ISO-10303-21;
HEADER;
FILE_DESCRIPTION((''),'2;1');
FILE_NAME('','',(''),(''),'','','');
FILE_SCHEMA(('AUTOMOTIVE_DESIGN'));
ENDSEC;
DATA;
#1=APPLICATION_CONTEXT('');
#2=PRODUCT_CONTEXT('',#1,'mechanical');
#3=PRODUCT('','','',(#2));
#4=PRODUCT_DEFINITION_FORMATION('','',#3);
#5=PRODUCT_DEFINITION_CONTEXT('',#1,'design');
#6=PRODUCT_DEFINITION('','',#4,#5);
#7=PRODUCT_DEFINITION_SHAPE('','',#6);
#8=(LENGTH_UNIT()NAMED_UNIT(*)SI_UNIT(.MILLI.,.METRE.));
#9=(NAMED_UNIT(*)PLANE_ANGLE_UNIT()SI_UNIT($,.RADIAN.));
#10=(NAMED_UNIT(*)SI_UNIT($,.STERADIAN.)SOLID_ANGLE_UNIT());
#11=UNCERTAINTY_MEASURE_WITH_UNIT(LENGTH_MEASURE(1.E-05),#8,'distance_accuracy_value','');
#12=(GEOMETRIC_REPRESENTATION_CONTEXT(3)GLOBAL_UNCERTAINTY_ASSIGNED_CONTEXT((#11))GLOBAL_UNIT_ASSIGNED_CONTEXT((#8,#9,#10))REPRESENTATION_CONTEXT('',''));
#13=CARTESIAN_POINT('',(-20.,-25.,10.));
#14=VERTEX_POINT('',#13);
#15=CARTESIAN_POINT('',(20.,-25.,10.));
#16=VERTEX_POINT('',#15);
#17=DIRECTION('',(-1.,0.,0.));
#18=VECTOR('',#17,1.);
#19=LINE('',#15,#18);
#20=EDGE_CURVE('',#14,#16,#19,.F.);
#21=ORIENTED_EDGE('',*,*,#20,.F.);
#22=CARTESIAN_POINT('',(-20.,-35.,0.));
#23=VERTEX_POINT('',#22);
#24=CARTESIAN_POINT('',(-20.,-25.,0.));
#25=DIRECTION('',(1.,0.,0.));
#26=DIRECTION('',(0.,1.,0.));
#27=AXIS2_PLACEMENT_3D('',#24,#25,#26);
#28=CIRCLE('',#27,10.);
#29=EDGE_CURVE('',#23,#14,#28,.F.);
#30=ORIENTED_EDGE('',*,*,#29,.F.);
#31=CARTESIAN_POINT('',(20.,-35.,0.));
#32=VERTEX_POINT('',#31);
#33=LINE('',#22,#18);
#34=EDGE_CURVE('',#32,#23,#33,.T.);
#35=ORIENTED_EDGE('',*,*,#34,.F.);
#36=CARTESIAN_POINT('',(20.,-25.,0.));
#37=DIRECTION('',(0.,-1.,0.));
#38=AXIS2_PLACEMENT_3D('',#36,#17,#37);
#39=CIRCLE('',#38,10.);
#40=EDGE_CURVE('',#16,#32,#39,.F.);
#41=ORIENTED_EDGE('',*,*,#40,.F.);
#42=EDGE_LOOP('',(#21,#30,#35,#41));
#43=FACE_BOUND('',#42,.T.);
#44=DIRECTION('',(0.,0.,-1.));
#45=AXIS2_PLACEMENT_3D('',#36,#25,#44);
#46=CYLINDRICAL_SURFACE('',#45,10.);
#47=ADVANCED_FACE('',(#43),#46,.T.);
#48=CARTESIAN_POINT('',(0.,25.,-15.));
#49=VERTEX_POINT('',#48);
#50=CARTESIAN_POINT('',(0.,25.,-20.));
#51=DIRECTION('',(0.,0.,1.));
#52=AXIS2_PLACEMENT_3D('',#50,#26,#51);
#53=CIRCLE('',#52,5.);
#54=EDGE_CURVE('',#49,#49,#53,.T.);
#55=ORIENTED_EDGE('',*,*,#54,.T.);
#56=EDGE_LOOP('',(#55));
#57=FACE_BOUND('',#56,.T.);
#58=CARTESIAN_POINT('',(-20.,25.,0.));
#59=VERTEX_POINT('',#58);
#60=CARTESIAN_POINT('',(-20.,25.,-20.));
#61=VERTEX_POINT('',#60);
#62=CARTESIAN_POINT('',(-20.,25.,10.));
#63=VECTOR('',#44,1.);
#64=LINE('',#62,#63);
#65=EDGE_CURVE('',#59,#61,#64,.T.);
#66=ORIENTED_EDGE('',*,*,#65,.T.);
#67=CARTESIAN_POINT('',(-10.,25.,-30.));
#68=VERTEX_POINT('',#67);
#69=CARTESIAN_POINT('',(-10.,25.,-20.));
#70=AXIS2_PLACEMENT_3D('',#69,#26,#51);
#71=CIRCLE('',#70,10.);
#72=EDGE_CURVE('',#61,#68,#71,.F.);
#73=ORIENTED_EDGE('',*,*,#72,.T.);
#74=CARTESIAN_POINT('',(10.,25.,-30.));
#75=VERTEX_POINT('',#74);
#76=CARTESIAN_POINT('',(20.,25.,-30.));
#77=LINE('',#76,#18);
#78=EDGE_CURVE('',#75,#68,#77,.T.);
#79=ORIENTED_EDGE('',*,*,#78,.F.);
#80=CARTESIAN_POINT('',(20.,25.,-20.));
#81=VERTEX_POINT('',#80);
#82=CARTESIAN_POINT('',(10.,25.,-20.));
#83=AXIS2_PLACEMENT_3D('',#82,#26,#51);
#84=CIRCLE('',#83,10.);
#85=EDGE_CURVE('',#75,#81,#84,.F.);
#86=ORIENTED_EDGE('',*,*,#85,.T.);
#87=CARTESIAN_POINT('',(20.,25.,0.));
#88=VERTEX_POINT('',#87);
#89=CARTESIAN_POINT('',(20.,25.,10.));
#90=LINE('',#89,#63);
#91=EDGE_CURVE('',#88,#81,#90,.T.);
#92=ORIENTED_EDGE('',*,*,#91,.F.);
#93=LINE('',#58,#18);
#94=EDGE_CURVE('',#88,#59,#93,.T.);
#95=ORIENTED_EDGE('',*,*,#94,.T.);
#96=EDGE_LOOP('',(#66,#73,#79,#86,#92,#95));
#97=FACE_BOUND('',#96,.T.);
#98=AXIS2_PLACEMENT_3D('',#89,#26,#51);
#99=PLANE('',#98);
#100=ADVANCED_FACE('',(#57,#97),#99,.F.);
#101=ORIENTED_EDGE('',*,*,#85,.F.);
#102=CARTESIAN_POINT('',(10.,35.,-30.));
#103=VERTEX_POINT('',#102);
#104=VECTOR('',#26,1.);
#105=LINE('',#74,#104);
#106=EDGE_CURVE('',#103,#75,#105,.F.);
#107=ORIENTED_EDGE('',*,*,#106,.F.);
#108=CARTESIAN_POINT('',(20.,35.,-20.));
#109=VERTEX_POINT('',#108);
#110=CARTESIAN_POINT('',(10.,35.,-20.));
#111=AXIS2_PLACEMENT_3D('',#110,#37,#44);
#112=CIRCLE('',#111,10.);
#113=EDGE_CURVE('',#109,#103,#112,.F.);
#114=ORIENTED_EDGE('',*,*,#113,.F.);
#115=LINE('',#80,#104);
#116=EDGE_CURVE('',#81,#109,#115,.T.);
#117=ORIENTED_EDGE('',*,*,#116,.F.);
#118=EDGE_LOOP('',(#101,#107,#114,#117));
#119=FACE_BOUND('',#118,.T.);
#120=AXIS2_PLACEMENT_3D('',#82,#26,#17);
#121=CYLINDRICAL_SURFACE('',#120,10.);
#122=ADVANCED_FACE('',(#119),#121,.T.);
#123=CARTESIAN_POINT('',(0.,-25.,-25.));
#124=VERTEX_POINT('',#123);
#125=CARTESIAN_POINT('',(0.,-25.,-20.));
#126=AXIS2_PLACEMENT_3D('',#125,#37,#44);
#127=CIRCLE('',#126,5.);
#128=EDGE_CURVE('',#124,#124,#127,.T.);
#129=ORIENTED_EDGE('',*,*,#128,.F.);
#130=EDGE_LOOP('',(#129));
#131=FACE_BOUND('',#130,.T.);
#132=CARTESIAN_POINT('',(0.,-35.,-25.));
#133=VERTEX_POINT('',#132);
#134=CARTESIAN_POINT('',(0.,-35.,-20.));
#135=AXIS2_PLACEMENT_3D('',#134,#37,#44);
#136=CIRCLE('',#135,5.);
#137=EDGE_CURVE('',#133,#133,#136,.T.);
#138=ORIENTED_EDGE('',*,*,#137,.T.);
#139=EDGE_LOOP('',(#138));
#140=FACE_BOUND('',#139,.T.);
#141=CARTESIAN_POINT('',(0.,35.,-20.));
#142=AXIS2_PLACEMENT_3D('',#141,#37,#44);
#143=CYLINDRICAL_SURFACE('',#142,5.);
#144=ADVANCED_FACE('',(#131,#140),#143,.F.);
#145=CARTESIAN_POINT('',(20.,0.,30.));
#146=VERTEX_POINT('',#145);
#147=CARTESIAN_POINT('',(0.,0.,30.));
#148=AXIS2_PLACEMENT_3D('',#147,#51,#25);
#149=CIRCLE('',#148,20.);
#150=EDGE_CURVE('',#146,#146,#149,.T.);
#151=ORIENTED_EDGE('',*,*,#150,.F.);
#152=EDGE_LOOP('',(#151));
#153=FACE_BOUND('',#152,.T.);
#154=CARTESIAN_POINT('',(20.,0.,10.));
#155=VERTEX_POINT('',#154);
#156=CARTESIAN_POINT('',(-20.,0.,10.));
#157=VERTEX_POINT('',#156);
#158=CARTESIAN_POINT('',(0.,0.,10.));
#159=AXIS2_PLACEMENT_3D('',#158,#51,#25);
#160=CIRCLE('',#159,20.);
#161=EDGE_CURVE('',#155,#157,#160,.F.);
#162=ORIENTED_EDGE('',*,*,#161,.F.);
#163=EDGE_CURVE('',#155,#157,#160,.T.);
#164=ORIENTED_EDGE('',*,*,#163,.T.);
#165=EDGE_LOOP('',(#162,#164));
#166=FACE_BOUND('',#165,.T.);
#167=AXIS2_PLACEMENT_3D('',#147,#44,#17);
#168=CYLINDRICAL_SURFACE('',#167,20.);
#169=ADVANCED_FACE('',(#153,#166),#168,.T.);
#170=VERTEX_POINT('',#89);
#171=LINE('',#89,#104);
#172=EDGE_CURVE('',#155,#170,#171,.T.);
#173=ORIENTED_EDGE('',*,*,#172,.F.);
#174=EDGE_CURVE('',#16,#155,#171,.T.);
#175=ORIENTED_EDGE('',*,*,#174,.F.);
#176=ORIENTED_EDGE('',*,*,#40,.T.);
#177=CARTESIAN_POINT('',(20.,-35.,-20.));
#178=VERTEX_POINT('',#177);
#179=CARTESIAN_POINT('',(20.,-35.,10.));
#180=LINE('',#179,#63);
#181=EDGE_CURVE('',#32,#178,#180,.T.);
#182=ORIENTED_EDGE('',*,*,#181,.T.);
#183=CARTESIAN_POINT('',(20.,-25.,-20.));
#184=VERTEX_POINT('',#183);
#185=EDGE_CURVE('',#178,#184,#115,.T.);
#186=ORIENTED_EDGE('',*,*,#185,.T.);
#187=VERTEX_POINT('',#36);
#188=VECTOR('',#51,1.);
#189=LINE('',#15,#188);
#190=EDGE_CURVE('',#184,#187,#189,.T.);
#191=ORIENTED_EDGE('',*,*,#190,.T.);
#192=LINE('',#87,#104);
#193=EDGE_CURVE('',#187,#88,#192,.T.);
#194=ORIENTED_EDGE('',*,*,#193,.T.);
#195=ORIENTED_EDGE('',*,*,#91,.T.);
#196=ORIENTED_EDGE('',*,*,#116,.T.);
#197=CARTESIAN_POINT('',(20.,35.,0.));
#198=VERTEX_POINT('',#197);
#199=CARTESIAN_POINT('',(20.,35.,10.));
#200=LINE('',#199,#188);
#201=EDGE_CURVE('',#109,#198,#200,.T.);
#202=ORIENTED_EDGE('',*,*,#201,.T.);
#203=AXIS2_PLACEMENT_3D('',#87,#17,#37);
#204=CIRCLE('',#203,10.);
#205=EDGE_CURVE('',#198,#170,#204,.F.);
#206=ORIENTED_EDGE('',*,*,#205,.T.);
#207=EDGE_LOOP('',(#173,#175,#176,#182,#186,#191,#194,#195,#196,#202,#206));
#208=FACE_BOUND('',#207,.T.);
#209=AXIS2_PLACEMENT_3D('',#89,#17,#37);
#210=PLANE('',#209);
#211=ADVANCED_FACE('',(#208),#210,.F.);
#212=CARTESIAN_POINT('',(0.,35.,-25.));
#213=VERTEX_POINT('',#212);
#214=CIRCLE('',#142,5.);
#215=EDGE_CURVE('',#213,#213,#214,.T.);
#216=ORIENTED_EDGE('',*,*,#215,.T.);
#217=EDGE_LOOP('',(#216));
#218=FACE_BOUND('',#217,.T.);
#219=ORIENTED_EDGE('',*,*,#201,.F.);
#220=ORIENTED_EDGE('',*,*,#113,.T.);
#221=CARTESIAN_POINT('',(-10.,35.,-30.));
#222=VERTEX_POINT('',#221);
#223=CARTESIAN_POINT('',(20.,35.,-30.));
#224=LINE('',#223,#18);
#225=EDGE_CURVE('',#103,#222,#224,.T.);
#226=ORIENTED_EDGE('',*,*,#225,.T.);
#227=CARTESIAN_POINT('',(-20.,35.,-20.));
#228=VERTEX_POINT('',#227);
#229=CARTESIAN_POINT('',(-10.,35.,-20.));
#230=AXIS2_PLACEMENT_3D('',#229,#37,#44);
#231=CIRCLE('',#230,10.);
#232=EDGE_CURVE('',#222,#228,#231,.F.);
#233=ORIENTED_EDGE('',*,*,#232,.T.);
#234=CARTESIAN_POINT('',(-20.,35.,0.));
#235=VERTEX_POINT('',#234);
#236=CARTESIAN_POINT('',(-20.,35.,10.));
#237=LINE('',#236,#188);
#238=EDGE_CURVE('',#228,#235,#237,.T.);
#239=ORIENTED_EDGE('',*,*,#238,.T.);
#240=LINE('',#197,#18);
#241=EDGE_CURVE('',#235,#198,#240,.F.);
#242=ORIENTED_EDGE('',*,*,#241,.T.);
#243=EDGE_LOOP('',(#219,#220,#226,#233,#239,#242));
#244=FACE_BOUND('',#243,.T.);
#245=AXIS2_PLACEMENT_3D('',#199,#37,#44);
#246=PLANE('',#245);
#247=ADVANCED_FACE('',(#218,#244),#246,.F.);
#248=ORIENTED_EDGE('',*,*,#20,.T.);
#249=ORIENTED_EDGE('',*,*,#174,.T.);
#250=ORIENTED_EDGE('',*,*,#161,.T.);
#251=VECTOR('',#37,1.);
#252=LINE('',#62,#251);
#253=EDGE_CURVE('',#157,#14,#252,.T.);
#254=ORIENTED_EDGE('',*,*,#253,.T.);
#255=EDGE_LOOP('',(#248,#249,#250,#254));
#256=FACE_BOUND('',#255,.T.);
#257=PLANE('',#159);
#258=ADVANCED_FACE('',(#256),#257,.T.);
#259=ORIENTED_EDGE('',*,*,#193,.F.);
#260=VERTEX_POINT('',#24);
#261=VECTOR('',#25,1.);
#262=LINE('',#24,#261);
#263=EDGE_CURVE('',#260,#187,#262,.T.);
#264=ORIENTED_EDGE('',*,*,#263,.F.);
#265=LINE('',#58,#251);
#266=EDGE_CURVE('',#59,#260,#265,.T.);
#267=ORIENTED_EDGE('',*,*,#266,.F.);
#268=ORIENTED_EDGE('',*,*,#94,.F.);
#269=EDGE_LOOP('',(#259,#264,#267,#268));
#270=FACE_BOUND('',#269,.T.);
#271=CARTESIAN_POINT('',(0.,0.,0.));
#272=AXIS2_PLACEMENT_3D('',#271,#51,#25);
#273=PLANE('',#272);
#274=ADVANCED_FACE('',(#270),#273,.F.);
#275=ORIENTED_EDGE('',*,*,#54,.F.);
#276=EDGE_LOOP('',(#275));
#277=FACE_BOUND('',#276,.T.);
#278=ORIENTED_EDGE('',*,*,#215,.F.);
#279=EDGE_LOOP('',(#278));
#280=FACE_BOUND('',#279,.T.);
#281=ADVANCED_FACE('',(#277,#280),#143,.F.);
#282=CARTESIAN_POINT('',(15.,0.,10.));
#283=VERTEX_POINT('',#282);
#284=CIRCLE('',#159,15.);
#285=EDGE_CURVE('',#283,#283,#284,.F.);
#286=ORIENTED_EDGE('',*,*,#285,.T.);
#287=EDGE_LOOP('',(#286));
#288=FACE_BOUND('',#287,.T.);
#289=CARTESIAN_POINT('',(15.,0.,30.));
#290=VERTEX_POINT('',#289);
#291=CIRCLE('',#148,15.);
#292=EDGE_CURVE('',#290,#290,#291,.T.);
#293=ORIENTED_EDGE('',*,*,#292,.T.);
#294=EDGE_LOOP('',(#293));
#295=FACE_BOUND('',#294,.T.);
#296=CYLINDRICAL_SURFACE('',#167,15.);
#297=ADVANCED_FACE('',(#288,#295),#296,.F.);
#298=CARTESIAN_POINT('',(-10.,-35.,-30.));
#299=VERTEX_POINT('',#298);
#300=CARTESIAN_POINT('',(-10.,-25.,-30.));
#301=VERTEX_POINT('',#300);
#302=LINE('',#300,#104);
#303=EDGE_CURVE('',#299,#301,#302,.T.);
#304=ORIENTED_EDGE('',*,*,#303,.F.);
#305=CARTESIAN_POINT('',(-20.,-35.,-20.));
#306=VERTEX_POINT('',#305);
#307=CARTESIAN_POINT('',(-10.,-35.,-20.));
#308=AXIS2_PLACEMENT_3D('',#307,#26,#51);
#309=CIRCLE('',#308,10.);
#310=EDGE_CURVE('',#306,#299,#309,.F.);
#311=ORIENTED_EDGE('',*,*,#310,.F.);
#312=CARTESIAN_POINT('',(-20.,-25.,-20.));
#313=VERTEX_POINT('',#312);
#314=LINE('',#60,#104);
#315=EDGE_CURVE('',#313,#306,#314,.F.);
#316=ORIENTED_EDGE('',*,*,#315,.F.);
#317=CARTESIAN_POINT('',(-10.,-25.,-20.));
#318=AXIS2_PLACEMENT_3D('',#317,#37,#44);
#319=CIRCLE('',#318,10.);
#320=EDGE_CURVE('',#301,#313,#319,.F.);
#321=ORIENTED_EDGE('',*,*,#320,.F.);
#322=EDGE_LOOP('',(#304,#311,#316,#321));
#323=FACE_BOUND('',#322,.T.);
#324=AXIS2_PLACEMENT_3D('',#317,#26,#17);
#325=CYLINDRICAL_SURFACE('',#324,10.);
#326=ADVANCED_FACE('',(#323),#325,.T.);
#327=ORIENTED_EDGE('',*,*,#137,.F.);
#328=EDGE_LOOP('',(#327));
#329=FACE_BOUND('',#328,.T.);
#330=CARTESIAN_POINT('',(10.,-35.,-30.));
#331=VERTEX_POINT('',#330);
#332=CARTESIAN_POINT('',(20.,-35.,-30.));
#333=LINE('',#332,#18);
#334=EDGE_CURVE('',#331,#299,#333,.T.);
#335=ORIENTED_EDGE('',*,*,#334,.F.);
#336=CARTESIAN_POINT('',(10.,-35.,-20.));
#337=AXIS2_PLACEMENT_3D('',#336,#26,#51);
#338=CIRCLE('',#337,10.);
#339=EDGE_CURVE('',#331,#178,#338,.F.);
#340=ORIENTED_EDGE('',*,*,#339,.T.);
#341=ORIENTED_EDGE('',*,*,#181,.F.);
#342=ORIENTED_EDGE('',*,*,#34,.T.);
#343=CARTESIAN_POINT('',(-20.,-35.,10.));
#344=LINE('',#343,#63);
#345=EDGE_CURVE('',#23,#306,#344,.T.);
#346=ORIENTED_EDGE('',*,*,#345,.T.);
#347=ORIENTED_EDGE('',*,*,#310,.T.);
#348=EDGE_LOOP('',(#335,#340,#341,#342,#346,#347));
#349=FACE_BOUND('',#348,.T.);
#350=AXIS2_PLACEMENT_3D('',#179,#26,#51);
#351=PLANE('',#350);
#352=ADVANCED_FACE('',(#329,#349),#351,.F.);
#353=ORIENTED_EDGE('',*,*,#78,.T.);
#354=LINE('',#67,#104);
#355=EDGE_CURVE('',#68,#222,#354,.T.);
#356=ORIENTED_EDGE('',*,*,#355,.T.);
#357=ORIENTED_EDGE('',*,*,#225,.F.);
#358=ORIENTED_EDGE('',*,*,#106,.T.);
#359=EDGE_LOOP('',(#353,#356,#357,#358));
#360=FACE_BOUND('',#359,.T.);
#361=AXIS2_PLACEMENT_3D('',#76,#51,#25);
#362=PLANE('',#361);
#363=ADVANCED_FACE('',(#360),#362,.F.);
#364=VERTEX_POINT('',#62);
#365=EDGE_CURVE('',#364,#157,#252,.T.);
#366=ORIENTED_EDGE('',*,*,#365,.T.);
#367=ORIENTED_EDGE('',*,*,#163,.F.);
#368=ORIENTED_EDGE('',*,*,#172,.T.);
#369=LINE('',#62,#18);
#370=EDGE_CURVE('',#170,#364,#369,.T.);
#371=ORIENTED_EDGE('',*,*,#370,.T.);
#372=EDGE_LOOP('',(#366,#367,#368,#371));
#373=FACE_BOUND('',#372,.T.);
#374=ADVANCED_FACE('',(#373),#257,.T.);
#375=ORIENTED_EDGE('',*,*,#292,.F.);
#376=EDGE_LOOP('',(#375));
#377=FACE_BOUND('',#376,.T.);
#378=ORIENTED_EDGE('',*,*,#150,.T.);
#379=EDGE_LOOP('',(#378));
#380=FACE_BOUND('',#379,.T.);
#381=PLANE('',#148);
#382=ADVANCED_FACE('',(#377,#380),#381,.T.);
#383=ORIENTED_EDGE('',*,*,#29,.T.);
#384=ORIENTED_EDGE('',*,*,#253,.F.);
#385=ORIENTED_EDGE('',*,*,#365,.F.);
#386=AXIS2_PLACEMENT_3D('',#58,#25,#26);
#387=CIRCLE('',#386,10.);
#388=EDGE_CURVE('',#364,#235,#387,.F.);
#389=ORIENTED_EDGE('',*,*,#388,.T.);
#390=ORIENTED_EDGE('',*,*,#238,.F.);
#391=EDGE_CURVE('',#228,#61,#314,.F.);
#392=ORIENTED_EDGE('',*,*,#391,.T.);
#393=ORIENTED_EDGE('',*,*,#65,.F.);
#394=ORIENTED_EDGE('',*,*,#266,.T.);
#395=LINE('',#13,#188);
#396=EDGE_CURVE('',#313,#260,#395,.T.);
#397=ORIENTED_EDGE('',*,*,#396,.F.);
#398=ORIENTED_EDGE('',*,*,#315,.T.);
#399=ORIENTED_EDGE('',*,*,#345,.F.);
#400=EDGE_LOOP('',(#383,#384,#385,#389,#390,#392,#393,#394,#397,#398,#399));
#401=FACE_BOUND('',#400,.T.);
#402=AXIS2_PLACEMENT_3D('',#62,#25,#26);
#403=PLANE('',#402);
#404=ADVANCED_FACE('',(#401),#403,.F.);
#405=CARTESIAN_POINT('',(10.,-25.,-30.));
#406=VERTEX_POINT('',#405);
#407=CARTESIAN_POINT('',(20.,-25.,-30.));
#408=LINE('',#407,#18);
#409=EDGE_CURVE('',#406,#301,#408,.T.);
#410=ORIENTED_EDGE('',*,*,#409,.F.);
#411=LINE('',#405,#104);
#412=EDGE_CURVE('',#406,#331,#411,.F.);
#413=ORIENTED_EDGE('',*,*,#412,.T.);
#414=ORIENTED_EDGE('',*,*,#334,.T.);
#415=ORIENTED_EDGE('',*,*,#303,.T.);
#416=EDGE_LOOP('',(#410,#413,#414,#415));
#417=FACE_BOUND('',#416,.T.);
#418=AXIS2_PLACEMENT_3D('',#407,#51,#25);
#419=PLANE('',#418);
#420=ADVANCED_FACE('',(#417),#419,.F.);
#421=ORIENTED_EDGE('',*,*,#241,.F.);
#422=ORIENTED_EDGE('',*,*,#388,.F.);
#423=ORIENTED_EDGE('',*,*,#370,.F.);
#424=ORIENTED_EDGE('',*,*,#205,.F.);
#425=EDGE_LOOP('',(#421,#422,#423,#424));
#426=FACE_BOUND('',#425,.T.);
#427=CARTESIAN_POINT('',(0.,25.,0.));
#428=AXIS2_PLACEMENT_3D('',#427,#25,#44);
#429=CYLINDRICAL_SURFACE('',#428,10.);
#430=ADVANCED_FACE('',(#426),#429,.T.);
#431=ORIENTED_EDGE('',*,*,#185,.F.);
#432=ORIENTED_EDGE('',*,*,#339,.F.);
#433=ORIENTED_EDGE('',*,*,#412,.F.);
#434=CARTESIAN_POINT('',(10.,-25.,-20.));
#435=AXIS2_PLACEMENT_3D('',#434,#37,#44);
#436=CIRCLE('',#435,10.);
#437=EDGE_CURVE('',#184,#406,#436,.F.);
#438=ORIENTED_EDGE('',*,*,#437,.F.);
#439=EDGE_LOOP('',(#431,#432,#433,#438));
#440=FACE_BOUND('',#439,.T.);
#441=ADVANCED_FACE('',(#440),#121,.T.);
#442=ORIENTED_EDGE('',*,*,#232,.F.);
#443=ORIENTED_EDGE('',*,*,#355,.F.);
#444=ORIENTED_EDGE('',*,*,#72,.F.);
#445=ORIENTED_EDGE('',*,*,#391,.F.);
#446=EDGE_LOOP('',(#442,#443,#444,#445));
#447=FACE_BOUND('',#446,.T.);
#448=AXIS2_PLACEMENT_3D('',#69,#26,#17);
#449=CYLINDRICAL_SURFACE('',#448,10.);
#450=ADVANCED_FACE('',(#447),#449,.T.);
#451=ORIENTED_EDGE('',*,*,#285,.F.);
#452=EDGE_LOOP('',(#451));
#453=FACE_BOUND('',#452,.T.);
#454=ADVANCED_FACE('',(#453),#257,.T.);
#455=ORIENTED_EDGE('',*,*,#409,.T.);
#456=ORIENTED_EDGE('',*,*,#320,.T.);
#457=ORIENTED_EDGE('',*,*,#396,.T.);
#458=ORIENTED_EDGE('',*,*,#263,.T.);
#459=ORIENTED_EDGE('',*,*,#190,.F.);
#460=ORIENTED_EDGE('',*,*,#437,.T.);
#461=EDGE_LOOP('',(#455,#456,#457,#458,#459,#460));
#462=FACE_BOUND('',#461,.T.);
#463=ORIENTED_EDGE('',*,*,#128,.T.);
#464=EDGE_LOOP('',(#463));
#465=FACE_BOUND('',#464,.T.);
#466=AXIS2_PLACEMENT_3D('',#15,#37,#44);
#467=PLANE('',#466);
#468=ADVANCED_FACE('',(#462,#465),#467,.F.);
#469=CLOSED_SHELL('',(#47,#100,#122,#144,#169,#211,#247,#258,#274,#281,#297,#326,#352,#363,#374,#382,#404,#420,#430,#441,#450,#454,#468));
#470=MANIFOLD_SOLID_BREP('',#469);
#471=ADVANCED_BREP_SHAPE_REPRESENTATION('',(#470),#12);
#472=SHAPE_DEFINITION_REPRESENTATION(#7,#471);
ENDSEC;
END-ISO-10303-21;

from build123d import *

# Parameters (mm, degrees)
SKETCH1_W           = 40
SKETCH1_H           = 50
BOSS_EXTRUDE1_DEPTH = 10
SKETCH2_W           = 40
SKETCH2_H           = 10
BOSS_EXTRUDE2_DEPTH = 20
FILLET1_R           = 10
SKETCH3_R           = 20
SKETCH3_R_2         = 15
BOSS_EXTRUDE3_DEPTH = 20
SKETCH4_R           = 5
CUT_EXTRUDE1_DEPTH  = 79.74007874


with BuildPart() as part:
    # Sketch1 → Boss-Extrude1 (new body)
    with BuildSketch(Plane.XY):
        Rectangle(SKETCH1_W, SKETCH1_H)
    extrude(amount=BOSS_EXTRUDE1_DEPTH)

    # Sketch2 → Boss-Extrude2 (add, symmetric)
    with BuildSketch(Plane(origin=(0, 0, 0), x_dir=(0, 0, -1), z_dir=(1, 0, 0))):
        with Locations((10, 30)):
            Rectangle(SKETCH2_W, SKETCH2_H)
        with Locations((10, -30)):
            Rectangle(SKETCH2_W, SKETCH2_H)
    extrude(amount=BOSS_EXTRUDE2_DEPTH, both=True)

    # Fillet1
    fillet1_edges = [part.edges().sort_by_distance(p)[0] for p in [
        (0, 35, 10),
        (-20, 30, -30),
        (20, 30, -30),
        (0, -35, 10),
        (-20, -30, -30),
        (20, -30, -30),
    ]]
    fillet(fillet1_edges, radius=FILLET1_R)

    # Sketch3 → Boss-Extrude3 (add)
    with BuildSketch(Plane.XY.offset(10)):
        Circle(SKETCH3_R)
        Circle(SKETCH3_R_2, mode=Mode.SUBTRACT)
    extrude(amount=BOSS_EXTRUDE3_DEPTH)

    # Sketch4 → Cut-Extrude1 (cut, through all)
    with BuildSketch(Plane.XZ.offset(35)):
        with Locations(Location((0, -20, 0), (0, 0, 270))):
            Circle(SKETCH4_R)
    extrude(amount=-CUT_EXTRUDE1_DEPTH, mode=Mode.SUBTRACT)


solid = part.part
